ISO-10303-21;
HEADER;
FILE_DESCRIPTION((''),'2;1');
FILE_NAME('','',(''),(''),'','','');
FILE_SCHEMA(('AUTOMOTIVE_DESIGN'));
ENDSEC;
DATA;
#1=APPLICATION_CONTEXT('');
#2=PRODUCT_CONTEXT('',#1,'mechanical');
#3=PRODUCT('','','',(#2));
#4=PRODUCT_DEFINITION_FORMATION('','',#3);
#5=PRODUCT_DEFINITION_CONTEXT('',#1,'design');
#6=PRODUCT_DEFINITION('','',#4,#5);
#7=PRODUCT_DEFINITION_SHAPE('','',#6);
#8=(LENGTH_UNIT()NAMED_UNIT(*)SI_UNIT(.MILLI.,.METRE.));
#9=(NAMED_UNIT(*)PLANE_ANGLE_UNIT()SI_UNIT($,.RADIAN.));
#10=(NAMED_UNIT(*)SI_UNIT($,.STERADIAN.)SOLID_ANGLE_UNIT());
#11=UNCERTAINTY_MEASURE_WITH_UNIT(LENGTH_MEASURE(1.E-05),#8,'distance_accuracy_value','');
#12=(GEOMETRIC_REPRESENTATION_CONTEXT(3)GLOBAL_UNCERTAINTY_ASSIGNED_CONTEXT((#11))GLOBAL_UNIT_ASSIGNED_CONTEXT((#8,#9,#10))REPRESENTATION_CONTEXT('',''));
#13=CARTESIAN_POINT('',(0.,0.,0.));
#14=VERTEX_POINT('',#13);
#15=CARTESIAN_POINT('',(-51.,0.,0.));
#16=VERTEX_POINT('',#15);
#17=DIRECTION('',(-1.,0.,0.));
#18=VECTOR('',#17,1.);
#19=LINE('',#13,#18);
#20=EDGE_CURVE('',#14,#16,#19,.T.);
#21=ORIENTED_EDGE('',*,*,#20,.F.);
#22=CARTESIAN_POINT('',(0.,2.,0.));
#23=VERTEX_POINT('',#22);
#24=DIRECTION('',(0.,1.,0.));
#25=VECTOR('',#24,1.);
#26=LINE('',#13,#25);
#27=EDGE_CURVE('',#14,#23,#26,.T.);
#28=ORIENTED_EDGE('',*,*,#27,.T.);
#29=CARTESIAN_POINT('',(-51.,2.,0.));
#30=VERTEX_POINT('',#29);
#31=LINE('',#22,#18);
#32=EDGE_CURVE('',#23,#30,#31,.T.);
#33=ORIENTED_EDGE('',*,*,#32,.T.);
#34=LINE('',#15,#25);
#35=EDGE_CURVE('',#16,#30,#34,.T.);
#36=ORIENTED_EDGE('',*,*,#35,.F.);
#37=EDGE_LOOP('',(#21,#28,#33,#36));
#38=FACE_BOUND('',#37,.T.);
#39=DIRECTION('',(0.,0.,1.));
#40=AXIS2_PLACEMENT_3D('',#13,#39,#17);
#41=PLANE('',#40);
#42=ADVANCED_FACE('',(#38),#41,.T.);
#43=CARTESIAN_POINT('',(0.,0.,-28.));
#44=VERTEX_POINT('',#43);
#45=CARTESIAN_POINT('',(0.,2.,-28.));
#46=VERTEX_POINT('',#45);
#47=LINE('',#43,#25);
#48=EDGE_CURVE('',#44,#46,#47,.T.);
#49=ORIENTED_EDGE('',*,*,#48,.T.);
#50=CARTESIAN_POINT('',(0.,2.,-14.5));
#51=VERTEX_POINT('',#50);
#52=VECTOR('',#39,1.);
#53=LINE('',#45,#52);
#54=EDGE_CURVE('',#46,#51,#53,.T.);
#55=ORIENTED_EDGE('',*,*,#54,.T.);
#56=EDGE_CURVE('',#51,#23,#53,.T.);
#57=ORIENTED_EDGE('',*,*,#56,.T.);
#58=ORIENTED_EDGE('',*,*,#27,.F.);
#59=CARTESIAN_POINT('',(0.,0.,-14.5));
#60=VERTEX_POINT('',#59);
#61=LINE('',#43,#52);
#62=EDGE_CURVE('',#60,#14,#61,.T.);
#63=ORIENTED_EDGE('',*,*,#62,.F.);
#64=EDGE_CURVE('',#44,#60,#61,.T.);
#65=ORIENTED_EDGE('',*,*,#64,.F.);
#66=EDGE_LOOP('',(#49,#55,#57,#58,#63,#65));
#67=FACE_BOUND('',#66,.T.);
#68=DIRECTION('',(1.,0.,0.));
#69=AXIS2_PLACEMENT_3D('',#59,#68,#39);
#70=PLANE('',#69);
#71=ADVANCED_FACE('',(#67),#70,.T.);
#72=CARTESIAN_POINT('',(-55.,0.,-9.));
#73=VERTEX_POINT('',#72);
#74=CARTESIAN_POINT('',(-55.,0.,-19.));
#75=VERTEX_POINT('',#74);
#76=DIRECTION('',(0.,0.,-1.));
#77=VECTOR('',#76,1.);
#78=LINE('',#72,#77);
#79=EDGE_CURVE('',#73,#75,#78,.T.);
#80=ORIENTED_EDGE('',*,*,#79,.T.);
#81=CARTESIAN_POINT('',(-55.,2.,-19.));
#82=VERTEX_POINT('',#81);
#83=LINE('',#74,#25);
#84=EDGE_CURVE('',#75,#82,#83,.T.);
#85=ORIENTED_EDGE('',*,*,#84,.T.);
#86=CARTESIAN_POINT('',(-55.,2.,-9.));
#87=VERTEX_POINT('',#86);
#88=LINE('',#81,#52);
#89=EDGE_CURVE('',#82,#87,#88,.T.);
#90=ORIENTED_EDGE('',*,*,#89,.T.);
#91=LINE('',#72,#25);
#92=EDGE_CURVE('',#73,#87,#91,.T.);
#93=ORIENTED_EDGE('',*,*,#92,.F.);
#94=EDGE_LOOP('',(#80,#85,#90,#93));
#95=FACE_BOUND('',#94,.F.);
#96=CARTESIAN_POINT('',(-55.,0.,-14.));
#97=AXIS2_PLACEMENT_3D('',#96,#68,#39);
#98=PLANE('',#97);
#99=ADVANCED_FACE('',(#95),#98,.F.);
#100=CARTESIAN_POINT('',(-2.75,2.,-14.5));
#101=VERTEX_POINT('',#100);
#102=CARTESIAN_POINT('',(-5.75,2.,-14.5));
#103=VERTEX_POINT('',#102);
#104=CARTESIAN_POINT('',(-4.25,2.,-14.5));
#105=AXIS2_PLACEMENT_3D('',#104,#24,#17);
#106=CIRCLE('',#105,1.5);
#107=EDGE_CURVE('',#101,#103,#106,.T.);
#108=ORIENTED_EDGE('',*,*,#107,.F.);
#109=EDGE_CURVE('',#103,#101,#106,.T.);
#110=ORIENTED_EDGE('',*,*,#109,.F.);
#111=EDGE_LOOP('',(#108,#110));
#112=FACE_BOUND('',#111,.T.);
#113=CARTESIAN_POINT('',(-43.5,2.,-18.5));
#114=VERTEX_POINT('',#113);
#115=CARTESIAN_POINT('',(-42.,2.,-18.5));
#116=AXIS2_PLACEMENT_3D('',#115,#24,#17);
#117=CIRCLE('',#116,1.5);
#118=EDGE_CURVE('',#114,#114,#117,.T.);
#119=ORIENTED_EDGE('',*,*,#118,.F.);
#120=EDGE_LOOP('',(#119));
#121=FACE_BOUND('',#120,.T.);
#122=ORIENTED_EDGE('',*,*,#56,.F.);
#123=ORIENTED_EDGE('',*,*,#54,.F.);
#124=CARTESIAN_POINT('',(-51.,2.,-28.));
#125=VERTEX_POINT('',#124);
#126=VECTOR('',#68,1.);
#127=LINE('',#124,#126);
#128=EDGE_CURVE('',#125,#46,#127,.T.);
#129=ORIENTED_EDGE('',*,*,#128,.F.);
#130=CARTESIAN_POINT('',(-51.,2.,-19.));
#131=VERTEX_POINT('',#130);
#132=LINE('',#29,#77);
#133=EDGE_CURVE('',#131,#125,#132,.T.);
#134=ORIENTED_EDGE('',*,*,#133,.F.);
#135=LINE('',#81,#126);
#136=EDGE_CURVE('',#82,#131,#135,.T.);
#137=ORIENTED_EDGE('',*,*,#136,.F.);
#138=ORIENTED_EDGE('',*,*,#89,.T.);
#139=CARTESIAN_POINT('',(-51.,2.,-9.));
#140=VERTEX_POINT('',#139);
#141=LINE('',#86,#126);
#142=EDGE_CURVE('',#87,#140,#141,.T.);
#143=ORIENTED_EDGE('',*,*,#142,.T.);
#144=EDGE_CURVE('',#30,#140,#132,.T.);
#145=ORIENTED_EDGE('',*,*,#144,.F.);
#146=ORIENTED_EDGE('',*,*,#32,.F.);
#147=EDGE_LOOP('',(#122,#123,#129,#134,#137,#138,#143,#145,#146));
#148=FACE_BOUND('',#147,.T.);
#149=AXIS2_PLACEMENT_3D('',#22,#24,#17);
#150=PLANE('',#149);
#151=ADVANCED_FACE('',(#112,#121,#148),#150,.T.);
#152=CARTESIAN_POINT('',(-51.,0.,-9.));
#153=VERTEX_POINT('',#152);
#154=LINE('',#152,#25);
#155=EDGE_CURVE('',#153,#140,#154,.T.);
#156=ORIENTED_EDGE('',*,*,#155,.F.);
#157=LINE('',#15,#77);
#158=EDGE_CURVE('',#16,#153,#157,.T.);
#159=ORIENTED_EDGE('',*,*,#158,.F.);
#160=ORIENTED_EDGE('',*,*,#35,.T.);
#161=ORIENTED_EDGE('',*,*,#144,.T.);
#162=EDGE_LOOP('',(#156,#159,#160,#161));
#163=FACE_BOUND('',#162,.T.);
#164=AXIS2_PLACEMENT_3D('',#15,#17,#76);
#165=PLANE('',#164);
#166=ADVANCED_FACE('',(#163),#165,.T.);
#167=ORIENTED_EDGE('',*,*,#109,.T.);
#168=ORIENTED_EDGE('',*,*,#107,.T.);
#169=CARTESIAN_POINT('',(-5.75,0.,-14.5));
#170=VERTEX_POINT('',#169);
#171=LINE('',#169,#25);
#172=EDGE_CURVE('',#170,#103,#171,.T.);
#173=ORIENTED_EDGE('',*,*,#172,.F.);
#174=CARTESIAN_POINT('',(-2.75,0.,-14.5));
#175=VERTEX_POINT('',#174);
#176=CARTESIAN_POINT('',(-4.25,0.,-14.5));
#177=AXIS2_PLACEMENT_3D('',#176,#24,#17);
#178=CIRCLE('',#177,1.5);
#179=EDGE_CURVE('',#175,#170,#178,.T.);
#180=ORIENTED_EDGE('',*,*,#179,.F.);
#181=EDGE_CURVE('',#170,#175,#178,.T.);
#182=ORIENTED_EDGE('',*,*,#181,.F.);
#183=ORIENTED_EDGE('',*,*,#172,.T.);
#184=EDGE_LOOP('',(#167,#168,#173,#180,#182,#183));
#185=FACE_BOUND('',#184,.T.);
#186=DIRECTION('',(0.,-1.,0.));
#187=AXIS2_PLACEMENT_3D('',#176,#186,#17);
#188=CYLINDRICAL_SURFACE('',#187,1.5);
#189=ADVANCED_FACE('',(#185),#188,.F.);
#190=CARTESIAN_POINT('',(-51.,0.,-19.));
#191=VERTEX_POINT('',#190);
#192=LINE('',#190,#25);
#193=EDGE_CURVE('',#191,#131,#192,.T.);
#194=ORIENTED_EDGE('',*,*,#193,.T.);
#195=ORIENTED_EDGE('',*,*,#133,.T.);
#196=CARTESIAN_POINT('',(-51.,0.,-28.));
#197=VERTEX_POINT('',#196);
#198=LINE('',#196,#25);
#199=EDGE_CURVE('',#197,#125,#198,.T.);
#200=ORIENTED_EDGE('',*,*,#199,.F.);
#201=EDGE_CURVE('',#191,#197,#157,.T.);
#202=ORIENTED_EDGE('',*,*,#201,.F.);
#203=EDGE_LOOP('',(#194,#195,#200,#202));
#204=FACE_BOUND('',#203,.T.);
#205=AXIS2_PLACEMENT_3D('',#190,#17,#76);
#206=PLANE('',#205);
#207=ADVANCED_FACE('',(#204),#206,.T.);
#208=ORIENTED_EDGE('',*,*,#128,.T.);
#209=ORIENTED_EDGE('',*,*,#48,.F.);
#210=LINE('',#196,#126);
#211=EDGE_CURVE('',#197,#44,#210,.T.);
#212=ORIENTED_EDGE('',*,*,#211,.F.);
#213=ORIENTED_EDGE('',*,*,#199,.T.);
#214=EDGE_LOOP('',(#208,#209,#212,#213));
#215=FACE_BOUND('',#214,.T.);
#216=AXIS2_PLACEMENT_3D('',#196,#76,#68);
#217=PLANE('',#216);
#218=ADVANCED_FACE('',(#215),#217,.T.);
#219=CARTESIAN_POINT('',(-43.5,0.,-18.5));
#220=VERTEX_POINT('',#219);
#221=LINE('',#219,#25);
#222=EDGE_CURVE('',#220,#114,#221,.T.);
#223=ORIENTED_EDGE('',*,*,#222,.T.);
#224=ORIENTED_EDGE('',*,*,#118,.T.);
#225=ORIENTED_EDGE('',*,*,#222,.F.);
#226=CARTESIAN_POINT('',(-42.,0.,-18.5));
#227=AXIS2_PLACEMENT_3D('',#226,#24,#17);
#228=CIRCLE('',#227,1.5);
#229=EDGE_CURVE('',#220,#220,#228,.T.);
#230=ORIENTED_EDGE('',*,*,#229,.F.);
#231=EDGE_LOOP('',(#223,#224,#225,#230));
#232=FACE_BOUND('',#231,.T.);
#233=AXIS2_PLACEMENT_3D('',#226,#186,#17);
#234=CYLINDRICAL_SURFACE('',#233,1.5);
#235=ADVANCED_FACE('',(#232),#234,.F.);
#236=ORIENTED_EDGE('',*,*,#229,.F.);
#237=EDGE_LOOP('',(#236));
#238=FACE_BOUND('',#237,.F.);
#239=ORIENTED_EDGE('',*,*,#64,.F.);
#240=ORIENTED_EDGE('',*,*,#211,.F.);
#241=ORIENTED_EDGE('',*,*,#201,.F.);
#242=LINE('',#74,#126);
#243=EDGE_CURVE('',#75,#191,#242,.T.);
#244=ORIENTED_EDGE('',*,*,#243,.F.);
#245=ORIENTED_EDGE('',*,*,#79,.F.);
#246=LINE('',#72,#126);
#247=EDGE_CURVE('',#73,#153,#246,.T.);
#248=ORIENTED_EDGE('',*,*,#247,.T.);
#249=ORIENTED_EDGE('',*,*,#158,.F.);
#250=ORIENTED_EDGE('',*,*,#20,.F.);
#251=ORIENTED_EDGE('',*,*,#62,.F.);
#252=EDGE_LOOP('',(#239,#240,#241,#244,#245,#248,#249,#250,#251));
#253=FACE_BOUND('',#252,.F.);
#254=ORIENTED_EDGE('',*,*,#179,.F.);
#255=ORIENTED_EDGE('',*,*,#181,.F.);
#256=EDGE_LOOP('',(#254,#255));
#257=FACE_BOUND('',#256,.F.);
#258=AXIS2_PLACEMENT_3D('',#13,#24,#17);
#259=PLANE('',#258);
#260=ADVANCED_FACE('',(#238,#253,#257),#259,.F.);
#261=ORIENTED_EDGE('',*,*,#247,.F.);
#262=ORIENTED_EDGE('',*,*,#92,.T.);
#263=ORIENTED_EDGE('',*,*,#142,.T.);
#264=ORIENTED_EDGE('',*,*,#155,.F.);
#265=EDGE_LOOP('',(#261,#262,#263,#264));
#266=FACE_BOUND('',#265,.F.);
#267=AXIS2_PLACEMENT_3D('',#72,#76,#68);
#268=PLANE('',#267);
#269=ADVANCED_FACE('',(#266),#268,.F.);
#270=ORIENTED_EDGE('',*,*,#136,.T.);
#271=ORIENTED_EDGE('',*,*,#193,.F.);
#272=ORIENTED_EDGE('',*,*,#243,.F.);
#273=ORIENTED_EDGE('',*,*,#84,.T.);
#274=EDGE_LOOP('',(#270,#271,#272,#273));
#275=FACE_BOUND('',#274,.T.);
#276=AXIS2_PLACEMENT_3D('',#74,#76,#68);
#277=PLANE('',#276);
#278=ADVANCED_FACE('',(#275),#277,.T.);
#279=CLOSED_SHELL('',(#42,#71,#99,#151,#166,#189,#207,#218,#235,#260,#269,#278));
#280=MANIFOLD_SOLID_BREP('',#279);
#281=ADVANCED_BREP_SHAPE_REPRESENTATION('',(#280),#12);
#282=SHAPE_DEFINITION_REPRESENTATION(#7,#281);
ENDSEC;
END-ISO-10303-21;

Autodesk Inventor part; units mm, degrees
ref_plane "YZ Plane" through (0, 0, 0) normal (1, 0, 0) x (0, 1, 0)
ref_plane "XZ Plane" through (0, 0, 0) normal (0, 1, 0) x (-1, 0, 0)
ref_plane "XY Plane" through (0, 0, 0) normal (0, 0, 1) x (1, 0, 0)
sketch "Boceto1" plane through (0, 0, 0) normal (0, 1, 0) x (-1, 0, 0)
  line L0 (0, 0) -> (51, 0)
  line L1 (51, 0) -> (51, -28)
  line L2 (51, -28) -> (0, -28)
  line L3 (0, -28) -> (0, 0)
  line L4 (51, 0) -> (51, -18.5)
  line L5 (51, -18.5) -> (42, -18.5)
  circle A0 centre (42, -18.5) radius 1.5
  line L6 (0, 0) -> (0, -14.5)
  line L7 (0, -14.5) -> (4.25, -14.5)
  circle A1 centre (4.25, -14.5) radius 1.5
  line L8 (51, 0) -> (51, -14)
  line L9 (51, -14) -> (55, -14)
  line L10 (55, -14) -> (55, -9)
  line L11 (55, -9) -> (51, -9)
  line L12 (55, -14) -> (55, -19)
  line L13 (55, -19) -> (51, -19)
  dimension "d0" = 51
  dimension "d1" = 28
  dimension "d2" = 18.5
  dimension "d3" = 9
  dimension "d4" = 3
  dimension "d5" = 14.5
  dimension "d6" = 4.25
  dimension "d7" = 3
  dimension "d8" = 14
  dimension "d9" = 4
  dimension "d10" = 5
  dimension "d11" = 5
extrude "Extrusión1" add sketch "Boceto1" along normal blind 2
properties part number "arm_2_microservo_case"
